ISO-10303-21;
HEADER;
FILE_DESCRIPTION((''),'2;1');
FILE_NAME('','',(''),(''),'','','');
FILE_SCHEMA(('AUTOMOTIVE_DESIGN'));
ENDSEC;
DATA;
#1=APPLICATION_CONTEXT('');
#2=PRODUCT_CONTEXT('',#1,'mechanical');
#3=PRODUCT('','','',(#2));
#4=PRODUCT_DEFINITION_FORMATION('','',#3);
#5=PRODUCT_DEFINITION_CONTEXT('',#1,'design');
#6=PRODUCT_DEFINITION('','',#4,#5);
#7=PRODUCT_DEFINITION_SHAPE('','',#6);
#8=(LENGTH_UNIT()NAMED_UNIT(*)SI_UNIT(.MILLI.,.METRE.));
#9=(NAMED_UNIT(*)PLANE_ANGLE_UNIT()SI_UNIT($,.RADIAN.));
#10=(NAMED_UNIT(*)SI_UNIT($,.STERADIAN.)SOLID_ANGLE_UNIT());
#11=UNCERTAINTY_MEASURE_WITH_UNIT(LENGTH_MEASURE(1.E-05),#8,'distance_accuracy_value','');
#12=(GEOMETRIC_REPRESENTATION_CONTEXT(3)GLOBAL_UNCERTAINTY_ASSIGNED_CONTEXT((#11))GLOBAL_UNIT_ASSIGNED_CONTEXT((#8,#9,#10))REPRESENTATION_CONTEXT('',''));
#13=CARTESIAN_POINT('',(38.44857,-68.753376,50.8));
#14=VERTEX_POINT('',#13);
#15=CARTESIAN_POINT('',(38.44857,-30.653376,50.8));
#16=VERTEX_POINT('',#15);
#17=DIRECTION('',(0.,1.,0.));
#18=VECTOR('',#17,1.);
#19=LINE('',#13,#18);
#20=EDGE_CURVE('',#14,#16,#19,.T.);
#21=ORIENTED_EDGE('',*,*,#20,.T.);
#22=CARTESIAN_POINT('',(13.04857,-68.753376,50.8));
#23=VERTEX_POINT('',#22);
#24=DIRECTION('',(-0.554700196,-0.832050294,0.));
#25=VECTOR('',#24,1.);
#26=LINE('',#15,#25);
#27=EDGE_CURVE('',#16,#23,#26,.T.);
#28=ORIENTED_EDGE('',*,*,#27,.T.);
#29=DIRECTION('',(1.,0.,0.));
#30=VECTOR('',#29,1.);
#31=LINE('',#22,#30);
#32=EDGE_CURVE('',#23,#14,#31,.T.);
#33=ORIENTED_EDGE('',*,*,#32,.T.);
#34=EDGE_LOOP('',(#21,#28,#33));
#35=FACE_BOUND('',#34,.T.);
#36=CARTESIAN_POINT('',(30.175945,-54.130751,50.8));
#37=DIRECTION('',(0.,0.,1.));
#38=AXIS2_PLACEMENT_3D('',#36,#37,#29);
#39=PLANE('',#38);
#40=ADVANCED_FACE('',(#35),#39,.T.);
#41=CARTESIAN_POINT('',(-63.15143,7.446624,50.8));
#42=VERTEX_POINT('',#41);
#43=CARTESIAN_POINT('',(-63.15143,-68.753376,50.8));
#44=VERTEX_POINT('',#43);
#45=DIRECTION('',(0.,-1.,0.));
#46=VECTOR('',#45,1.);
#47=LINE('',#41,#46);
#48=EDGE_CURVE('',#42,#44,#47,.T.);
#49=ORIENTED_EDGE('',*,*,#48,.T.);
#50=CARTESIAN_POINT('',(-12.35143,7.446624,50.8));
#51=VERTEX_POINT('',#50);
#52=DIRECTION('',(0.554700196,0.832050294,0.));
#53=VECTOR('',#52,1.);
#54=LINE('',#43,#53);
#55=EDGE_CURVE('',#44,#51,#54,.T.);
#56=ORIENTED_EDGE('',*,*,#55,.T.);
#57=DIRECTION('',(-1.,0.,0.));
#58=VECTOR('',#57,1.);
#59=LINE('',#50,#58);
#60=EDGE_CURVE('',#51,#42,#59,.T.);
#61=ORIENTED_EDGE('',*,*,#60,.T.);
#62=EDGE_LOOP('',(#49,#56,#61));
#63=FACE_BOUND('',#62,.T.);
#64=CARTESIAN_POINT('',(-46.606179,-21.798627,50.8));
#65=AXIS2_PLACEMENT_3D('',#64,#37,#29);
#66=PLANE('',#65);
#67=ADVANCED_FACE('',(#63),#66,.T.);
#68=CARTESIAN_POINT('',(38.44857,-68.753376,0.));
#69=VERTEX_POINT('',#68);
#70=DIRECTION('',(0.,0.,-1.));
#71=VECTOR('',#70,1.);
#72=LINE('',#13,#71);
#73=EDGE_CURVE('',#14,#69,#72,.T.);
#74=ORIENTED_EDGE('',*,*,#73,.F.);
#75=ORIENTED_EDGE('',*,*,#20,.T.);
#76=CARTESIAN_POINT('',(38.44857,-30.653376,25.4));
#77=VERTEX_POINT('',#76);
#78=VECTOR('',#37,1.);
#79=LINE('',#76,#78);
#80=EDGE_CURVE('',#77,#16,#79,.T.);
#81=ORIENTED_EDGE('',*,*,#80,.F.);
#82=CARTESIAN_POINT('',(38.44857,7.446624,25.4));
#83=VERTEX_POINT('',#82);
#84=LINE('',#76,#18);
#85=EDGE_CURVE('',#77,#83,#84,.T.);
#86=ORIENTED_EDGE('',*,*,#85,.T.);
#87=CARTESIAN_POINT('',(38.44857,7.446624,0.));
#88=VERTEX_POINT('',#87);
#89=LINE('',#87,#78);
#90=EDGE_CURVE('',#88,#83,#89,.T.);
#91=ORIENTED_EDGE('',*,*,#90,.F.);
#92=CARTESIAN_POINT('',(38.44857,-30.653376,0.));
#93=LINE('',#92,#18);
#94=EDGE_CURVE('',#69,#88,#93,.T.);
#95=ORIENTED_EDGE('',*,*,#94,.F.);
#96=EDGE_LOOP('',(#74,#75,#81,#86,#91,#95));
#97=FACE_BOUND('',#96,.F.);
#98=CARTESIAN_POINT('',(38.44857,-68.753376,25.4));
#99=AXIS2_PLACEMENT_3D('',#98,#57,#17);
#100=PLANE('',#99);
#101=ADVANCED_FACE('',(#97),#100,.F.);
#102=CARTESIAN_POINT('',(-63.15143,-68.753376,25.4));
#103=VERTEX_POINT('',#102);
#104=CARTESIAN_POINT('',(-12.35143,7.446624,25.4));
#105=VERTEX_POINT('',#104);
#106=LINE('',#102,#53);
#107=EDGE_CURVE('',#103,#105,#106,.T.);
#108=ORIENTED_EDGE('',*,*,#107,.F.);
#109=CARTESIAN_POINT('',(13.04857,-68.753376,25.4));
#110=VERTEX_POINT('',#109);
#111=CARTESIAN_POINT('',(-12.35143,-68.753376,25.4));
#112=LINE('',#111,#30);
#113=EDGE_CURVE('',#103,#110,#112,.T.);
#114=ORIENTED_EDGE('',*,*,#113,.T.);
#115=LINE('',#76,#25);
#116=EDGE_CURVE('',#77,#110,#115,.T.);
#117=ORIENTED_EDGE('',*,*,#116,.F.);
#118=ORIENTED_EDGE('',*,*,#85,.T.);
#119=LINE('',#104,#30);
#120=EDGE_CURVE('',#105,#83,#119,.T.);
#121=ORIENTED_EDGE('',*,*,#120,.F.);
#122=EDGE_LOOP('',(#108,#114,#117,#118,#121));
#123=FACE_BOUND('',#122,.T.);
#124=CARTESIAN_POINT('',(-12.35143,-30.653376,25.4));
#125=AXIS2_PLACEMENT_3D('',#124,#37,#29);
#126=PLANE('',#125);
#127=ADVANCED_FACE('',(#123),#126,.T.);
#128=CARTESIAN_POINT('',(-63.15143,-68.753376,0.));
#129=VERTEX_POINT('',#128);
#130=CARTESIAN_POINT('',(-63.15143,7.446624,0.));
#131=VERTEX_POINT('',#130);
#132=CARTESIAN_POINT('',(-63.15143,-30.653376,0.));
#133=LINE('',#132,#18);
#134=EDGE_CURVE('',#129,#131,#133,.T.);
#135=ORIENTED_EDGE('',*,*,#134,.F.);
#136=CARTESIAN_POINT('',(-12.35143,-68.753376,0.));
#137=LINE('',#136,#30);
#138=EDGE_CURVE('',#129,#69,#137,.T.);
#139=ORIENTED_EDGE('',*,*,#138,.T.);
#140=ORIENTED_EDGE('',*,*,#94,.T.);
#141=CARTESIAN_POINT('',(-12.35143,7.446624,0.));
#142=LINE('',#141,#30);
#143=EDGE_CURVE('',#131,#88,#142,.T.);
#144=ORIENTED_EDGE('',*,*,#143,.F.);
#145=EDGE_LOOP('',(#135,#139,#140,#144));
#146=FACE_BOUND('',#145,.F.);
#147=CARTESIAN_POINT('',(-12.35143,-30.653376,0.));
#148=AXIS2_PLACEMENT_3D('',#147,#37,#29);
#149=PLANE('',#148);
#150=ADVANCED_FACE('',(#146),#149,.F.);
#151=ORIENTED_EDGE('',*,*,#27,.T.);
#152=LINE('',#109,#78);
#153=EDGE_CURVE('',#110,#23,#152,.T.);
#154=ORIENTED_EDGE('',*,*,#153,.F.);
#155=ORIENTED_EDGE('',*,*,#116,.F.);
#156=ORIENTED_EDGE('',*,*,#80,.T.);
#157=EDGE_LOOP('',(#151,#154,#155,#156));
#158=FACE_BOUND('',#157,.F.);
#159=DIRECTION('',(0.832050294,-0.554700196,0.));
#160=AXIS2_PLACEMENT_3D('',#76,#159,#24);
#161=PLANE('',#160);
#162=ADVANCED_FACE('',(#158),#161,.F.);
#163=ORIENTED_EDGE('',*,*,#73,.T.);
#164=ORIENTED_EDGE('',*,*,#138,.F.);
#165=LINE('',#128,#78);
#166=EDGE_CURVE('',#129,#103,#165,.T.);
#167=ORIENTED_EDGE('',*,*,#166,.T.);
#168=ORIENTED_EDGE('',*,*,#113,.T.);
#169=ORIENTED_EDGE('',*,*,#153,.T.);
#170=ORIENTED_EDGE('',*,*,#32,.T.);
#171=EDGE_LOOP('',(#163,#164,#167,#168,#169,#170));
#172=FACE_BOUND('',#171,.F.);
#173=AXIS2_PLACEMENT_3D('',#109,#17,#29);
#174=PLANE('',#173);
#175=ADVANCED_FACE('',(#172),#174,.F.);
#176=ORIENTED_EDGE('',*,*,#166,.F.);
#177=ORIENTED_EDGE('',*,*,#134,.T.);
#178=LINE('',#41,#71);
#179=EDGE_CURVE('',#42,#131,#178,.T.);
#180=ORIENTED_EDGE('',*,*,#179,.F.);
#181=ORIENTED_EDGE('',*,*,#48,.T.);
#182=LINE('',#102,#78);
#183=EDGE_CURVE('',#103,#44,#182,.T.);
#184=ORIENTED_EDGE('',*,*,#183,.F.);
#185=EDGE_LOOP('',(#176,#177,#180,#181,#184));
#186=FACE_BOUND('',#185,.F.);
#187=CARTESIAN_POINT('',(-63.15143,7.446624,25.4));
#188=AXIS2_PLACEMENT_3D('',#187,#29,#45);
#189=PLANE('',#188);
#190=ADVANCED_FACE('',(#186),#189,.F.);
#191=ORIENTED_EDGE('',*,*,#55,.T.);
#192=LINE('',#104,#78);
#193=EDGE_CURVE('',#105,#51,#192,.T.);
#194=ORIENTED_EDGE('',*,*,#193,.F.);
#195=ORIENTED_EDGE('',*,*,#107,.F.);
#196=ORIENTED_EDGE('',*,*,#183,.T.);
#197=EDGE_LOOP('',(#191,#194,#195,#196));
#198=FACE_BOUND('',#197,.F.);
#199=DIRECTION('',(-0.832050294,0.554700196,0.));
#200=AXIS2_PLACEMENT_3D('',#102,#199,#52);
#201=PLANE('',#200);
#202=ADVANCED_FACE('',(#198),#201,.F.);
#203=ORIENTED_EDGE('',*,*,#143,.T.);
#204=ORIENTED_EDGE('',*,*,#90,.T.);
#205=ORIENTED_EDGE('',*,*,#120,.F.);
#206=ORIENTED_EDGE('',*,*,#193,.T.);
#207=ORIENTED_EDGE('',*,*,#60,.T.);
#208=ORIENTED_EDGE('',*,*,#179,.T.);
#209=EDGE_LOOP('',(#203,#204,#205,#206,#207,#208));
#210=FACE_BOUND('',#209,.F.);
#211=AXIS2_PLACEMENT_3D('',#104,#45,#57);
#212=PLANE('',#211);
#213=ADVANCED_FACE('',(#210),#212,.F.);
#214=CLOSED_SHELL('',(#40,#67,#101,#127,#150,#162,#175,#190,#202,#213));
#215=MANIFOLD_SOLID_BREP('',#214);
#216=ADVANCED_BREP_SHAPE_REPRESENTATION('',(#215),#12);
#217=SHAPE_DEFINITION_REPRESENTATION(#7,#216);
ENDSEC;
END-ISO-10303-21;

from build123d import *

# Parameters (mm, degrees)
F0_W     = 101.6
F0_H     = 76.2
F1_DEPTH = 25.4
F3_DEPTH = 25.4
F5_DEPTH = 25.4


with BuildPart() as f1:
    # F0 (on Top) → F1 (new body)
    with BuildSketch(Plane.XY):
        with Locations((-12.35143, -30.653376)):
            Rectangle(F0_W, F0_H)
    extrude(amount=F1_DEPTH)

    # F2 (on face) → F3 (join)
    with BuildSketch(Plane.XY.offset(25.4)):
        Polygon((-63.15143, -68.753376), (-12.35143, 7.446624), (-63.15143, 7.446624), align=None)
    extrude(amount=F3_DEPTH)

    # F4 (on face) → F5 (join)
    with BuildSketch(Plane.XY.offset(25.4)):
        Polygon((38.44857, -30.653376), (13.04857, -68.753376), (38.44857, -68.753376), align=None)
    extrude(amount=F5_DEPTH)


solid = f1.part
